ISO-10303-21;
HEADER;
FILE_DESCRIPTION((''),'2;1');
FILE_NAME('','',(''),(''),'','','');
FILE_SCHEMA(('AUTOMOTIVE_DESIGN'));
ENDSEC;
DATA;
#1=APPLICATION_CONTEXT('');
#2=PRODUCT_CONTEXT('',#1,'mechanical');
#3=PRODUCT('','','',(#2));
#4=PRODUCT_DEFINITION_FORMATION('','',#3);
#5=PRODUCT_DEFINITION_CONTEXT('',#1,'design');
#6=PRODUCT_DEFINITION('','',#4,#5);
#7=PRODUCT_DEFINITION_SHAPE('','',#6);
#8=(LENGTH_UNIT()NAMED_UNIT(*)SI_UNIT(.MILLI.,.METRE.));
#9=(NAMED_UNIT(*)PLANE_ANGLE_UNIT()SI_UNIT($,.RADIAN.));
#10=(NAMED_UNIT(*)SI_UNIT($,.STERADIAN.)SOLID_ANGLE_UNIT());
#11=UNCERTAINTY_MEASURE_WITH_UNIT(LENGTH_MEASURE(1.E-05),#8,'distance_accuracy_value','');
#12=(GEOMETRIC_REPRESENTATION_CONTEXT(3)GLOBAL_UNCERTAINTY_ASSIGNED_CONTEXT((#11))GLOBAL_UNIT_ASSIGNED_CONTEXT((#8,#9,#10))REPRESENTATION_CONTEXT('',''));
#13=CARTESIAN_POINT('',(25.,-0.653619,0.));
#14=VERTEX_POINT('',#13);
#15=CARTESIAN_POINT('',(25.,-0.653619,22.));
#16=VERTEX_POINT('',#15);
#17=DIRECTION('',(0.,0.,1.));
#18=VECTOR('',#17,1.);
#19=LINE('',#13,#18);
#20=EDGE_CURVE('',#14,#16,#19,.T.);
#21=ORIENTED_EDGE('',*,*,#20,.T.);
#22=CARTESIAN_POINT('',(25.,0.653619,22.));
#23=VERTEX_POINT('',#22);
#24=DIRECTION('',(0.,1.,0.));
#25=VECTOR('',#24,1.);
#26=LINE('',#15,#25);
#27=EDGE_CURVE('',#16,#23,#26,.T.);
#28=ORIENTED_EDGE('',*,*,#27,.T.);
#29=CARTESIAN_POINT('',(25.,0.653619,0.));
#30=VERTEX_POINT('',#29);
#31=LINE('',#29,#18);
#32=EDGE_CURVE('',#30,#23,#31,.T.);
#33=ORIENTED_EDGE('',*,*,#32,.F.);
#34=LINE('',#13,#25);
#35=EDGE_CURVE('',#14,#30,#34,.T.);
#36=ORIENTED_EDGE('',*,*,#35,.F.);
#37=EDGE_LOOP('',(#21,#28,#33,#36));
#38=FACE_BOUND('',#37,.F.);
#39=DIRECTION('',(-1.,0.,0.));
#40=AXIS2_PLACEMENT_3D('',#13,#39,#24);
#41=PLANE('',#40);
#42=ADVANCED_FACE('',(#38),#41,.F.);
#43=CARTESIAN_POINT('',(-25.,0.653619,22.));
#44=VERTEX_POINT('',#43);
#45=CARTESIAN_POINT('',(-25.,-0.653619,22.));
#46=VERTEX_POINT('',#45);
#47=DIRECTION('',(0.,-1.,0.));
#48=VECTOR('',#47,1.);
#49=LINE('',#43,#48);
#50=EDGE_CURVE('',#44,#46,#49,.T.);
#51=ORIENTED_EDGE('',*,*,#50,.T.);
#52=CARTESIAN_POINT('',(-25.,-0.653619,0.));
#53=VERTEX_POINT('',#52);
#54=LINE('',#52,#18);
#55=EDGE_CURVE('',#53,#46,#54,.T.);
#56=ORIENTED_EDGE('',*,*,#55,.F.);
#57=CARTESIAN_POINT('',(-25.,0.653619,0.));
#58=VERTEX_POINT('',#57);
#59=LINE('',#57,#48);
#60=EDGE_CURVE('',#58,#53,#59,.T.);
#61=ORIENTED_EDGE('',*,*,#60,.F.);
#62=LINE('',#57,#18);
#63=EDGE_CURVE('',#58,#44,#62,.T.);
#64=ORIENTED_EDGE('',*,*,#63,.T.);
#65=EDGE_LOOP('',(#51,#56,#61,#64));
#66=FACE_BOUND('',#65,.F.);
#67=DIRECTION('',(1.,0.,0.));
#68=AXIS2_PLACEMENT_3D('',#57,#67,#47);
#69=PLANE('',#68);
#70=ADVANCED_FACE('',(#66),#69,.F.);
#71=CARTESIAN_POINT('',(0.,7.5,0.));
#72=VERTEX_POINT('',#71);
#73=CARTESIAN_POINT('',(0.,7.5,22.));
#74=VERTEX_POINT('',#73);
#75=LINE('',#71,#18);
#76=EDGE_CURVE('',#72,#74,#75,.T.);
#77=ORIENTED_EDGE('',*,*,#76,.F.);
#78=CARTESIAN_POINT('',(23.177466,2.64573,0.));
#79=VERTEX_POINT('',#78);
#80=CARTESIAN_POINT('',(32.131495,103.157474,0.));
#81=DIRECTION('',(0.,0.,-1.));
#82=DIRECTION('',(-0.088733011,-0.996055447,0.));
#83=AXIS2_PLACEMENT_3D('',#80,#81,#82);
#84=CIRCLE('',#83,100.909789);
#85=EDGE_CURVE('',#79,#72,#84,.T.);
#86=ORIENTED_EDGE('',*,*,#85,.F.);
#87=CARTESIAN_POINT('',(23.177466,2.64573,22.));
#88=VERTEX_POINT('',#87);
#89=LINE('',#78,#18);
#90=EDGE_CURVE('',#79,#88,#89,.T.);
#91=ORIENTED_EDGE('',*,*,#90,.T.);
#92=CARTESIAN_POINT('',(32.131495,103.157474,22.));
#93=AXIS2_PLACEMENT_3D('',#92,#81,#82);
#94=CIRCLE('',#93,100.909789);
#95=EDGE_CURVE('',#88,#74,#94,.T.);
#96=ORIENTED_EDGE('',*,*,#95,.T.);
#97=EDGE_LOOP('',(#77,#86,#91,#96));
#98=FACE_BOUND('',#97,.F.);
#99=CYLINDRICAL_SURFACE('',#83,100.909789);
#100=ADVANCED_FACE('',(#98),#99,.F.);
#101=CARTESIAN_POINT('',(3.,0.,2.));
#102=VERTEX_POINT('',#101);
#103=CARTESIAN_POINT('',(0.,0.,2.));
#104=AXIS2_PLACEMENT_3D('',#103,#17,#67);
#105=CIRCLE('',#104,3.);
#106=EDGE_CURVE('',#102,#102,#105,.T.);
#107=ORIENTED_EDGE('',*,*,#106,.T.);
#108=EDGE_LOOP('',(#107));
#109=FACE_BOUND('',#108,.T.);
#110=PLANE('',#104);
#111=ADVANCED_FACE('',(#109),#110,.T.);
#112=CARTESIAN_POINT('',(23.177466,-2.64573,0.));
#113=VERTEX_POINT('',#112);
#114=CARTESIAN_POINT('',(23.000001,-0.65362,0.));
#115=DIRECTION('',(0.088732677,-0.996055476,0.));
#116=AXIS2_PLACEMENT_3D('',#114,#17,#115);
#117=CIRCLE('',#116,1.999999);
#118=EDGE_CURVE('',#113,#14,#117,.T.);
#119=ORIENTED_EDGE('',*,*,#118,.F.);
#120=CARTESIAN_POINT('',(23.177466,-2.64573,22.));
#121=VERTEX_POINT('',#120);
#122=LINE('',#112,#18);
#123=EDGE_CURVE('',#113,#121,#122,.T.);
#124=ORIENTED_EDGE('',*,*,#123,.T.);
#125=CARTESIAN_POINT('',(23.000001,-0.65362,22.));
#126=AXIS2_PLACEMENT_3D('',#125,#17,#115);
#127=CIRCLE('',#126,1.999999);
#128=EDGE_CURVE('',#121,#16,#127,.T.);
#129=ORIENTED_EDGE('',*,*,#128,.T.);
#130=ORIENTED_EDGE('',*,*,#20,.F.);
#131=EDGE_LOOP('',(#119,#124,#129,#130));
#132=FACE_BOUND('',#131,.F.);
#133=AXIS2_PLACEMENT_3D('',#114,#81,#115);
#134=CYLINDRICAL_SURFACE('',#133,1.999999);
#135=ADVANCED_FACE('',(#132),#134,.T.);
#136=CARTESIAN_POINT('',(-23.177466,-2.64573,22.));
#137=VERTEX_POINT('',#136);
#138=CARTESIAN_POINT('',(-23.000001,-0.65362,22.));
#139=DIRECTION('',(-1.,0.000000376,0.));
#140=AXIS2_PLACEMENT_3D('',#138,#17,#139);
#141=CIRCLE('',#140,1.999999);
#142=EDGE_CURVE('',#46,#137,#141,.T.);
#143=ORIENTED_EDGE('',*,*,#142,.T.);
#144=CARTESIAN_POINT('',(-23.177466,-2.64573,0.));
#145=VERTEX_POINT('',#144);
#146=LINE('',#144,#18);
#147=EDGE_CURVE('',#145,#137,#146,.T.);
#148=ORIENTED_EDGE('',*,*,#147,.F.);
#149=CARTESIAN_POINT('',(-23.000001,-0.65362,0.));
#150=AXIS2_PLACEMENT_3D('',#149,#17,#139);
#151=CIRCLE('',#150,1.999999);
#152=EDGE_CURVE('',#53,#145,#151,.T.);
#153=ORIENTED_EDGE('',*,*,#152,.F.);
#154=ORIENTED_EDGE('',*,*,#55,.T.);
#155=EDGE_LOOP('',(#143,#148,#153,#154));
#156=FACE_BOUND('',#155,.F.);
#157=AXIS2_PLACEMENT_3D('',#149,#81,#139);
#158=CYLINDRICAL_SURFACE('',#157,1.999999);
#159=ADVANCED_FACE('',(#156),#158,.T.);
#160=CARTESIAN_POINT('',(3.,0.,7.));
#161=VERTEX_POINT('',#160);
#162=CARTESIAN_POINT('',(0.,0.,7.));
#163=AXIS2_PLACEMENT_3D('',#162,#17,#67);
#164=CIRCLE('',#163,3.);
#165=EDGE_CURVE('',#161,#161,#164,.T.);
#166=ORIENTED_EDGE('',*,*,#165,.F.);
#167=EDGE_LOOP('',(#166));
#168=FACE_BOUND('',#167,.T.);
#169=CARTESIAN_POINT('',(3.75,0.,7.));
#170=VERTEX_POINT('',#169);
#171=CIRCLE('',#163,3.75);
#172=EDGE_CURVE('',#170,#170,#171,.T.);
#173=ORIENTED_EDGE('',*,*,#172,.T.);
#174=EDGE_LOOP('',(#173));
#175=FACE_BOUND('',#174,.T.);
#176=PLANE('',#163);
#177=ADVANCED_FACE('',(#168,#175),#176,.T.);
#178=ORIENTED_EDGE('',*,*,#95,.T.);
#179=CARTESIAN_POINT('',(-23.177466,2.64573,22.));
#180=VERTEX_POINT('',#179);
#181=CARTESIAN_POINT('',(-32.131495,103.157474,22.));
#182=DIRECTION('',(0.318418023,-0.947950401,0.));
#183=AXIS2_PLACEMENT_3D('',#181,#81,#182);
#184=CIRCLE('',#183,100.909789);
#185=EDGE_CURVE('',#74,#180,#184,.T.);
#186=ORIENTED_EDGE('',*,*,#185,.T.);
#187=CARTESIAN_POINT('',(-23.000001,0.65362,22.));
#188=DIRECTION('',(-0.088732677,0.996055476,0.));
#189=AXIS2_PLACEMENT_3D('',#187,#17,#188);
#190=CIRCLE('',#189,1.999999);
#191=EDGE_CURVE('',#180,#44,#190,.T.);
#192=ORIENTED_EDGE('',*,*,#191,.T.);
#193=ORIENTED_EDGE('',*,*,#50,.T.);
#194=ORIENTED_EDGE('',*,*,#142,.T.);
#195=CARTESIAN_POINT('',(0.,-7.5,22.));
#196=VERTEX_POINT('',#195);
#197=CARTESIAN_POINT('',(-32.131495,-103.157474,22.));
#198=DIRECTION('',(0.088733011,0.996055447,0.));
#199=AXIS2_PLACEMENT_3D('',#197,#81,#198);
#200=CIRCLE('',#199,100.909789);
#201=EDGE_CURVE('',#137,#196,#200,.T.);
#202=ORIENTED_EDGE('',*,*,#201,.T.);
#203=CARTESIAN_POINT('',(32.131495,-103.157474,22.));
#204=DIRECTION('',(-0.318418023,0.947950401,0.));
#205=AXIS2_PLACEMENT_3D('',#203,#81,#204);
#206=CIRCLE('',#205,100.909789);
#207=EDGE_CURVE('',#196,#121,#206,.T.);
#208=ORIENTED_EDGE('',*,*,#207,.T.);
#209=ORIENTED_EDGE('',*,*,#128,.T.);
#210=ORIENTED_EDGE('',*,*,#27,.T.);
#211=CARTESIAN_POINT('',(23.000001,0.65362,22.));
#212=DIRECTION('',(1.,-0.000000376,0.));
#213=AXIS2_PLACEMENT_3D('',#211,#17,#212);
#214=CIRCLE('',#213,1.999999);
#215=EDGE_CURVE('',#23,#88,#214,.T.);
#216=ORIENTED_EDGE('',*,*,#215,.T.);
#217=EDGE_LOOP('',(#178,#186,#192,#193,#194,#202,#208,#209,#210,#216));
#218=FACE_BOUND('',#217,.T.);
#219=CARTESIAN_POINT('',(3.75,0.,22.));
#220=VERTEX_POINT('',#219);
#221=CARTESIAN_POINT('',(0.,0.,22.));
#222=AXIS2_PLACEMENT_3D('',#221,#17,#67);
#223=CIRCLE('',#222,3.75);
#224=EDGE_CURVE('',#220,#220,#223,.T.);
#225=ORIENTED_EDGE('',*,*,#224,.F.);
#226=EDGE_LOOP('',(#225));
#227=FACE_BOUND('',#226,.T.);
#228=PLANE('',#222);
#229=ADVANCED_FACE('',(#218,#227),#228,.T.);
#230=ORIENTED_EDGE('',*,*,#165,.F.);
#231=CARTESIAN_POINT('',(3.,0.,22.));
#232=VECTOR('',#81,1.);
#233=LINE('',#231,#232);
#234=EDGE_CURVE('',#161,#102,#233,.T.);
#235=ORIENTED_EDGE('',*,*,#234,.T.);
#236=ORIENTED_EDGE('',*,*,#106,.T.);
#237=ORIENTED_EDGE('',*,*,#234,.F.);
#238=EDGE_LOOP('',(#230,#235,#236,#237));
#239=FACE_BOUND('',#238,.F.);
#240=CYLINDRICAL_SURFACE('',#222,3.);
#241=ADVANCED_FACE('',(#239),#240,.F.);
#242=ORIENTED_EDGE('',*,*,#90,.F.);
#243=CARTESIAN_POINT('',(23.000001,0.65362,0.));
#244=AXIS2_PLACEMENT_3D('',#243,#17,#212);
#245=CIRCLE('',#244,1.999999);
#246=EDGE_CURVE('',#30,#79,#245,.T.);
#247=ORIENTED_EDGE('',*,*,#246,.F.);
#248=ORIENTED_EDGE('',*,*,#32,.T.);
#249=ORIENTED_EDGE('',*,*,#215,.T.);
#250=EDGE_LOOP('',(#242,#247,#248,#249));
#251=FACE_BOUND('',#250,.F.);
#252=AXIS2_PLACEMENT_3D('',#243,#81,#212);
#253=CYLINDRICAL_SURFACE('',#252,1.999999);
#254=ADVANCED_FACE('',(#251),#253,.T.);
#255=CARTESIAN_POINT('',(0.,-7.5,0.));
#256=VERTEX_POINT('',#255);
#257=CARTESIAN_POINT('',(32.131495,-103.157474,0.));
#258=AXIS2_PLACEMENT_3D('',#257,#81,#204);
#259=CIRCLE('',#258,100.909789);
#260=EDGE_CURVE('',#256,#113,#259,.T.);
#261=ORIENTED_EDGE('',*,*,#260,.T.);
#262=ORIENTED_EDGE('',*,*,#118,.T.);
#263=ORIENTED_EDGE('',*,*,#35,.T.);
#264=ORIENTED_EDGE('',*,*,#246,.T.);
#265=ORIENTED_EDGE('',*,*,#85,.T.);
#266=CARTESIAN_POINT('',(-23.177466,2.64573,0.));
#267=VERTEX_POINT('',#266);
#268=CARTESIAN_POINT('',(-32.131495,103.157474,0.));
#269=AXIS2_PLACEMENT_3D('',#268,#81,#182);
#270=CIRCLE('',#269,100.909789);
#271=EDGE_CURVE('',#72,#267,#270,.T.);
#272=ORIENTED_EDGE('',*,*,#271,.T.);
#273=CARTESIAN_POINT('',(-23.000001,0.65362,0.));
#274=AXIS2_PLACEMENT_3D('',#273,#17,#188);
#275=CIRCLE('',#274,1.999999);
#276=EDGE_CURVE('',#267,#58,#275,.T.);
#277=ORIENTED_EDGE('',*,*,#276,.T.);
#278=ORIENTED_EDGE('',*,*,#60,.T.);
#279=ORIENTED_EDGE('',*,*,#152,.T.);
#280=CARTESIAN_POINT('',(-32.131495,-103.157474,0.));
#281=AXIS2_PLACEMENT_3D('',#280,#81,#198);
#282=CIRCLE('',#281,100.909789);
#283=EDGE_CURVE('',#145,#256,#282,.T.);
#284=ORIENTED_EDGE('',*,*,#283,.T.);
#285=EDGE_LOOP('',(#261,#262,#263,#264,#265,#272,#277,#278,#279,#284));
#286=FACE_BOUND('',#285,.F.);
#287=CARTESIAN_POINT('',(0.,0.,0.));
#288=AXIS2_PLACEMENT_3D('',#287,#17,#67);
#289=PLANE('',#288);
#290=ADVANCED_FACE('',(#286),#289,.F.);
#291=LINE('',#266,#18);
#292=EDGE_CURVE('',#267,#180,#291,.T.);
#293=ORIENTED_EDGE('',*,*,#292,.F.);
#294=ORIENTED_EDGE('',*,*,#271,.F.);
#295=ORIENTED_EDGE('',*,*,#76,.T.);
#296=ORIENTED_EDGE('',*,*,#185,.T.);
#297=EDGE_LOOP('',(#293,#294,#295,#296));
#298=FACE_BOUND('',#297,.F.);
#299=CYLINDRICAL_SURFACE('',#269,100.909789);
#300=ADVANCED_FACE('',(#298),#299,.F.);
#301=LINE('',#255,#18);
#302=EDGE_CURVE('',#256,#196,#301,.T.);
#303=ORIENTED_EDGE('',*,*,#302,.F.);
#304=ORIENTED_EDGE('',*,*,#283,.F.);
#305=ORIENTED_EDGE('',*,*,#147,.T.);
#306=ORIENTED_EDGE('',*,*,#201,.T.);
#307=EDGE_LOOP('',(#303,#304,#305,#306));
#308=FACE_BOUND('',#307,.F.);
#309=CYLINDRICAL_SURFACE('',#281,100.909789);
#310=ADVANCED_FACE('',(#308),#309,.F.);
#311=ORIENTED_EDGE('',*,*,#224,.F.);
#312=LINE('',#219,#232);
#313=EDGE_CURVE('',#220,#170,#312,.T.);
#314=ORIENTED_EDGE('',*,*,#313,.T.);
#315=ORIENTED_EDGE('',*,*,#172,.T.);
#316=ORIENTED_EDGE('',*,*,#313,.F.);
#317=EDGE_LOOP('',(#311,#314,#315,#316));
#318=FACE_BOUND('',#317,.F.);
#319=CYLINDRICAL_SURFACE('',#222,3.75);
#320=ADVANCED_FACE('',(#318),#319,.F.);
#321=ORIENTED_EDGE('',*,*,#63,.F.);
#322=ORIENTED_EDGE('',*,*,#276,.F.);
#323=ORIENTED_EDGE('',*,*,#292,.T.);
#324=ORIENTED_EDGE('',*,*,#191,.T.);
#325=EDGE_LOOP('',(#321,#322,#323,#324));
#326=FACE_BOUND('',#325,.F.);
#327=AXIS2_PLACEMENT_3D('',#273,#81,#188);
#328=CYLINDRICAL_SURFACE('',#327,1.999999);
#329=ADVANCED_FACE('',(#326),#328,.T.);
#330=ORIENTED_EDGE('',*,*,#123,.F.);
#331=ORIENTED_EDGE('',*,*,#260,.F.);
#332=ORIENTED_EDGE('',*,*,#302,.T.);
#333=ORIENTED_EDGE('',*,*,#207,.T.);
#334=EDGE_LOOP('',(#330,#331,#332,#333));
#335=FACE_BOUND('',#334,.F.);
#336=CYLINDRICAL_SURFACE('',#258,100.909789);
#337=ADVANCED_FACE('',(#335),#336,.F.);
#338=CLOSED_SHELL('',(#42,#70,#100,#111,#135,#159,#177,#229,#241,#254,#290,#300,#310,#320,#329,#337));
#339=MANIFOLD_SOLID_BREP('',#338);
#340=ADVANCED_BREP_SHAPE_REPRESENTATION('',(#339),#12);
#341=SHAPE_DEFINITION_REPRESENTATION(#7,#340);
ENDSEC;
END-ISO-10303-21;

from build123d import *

# Parameters (mm, degrees)
F0_R     = 3.75
F0_R_2   = 3
F1_DEPTH = 22
F2_R     = 3
F3_DEPTH = 20
F2_R_2   = 3.75
F4_DEPTH = 15


with BuildPart() as f1:
    # F0 (on Top) → F1 (new body)
    with BuildSketch(Plane.XY):
        with BuildLine():
            ThreePointArc((23.177466, -2.64573), (24.475624, -2.003632), (25, -0.653619))
            Line((25, -0.653619), (25, 0.653619))
            ThreePointArc((25, 0.653619), (24.475624, 2.003632), (23.177466, 2.64573))
            ThreePointArc((23.177466, 2.64573), (11.445847, 4.390631), (0, 7.5))
            ThreePointArc((0, 7.5), (-11.445847, 4.390631), (-23.177466, 2.64573))
            ThreePointArc((-23.177466, 2.64573), (-24.475624, 2.003632), (-25, 0.653619))
            Line((-25, 0.653619), (-25, -0.653619))
            ThreePointArc((-25, -0.653619), (-24.475624, -2.003632), (-23.177466, -2.64573))
            ThreePointArc((-23.177466, -2.64573), (-11.445847, -4.390631), (0, -7.5))
            ThreePointArc((0, -7.5), (11.445847, -4.390631), (23.177466, -2.64573))
        make_face()
        Circle(F0_R, mode=Mode.SUBTRACT)
        Circle(F0_R)
        Circle(F0_R_2, mode=Mode.SUBTRACT)
        Circle(F0_R_2)
    extrude(amount=F1_DEPTH)

    # F2 (on face) → F3 (cut)
    with BuildSketch(Plane.XY.offset(22)):
        Circle(F2_R)
    extrude(amount=-F3_DEPTH, mode=Mode.SUBTRACT)

    # F2 (on face) → F4 (cut)
    with BuildSketch(Plane.XY.offset(22)):
        Circle(F2_R_2)
        Circle(F2_R, mode=Mode.SUBTRACT)
    extrude(amount=-F4_DEPTH, mode=Mode.SUBTRACT)


solid = f1.part
